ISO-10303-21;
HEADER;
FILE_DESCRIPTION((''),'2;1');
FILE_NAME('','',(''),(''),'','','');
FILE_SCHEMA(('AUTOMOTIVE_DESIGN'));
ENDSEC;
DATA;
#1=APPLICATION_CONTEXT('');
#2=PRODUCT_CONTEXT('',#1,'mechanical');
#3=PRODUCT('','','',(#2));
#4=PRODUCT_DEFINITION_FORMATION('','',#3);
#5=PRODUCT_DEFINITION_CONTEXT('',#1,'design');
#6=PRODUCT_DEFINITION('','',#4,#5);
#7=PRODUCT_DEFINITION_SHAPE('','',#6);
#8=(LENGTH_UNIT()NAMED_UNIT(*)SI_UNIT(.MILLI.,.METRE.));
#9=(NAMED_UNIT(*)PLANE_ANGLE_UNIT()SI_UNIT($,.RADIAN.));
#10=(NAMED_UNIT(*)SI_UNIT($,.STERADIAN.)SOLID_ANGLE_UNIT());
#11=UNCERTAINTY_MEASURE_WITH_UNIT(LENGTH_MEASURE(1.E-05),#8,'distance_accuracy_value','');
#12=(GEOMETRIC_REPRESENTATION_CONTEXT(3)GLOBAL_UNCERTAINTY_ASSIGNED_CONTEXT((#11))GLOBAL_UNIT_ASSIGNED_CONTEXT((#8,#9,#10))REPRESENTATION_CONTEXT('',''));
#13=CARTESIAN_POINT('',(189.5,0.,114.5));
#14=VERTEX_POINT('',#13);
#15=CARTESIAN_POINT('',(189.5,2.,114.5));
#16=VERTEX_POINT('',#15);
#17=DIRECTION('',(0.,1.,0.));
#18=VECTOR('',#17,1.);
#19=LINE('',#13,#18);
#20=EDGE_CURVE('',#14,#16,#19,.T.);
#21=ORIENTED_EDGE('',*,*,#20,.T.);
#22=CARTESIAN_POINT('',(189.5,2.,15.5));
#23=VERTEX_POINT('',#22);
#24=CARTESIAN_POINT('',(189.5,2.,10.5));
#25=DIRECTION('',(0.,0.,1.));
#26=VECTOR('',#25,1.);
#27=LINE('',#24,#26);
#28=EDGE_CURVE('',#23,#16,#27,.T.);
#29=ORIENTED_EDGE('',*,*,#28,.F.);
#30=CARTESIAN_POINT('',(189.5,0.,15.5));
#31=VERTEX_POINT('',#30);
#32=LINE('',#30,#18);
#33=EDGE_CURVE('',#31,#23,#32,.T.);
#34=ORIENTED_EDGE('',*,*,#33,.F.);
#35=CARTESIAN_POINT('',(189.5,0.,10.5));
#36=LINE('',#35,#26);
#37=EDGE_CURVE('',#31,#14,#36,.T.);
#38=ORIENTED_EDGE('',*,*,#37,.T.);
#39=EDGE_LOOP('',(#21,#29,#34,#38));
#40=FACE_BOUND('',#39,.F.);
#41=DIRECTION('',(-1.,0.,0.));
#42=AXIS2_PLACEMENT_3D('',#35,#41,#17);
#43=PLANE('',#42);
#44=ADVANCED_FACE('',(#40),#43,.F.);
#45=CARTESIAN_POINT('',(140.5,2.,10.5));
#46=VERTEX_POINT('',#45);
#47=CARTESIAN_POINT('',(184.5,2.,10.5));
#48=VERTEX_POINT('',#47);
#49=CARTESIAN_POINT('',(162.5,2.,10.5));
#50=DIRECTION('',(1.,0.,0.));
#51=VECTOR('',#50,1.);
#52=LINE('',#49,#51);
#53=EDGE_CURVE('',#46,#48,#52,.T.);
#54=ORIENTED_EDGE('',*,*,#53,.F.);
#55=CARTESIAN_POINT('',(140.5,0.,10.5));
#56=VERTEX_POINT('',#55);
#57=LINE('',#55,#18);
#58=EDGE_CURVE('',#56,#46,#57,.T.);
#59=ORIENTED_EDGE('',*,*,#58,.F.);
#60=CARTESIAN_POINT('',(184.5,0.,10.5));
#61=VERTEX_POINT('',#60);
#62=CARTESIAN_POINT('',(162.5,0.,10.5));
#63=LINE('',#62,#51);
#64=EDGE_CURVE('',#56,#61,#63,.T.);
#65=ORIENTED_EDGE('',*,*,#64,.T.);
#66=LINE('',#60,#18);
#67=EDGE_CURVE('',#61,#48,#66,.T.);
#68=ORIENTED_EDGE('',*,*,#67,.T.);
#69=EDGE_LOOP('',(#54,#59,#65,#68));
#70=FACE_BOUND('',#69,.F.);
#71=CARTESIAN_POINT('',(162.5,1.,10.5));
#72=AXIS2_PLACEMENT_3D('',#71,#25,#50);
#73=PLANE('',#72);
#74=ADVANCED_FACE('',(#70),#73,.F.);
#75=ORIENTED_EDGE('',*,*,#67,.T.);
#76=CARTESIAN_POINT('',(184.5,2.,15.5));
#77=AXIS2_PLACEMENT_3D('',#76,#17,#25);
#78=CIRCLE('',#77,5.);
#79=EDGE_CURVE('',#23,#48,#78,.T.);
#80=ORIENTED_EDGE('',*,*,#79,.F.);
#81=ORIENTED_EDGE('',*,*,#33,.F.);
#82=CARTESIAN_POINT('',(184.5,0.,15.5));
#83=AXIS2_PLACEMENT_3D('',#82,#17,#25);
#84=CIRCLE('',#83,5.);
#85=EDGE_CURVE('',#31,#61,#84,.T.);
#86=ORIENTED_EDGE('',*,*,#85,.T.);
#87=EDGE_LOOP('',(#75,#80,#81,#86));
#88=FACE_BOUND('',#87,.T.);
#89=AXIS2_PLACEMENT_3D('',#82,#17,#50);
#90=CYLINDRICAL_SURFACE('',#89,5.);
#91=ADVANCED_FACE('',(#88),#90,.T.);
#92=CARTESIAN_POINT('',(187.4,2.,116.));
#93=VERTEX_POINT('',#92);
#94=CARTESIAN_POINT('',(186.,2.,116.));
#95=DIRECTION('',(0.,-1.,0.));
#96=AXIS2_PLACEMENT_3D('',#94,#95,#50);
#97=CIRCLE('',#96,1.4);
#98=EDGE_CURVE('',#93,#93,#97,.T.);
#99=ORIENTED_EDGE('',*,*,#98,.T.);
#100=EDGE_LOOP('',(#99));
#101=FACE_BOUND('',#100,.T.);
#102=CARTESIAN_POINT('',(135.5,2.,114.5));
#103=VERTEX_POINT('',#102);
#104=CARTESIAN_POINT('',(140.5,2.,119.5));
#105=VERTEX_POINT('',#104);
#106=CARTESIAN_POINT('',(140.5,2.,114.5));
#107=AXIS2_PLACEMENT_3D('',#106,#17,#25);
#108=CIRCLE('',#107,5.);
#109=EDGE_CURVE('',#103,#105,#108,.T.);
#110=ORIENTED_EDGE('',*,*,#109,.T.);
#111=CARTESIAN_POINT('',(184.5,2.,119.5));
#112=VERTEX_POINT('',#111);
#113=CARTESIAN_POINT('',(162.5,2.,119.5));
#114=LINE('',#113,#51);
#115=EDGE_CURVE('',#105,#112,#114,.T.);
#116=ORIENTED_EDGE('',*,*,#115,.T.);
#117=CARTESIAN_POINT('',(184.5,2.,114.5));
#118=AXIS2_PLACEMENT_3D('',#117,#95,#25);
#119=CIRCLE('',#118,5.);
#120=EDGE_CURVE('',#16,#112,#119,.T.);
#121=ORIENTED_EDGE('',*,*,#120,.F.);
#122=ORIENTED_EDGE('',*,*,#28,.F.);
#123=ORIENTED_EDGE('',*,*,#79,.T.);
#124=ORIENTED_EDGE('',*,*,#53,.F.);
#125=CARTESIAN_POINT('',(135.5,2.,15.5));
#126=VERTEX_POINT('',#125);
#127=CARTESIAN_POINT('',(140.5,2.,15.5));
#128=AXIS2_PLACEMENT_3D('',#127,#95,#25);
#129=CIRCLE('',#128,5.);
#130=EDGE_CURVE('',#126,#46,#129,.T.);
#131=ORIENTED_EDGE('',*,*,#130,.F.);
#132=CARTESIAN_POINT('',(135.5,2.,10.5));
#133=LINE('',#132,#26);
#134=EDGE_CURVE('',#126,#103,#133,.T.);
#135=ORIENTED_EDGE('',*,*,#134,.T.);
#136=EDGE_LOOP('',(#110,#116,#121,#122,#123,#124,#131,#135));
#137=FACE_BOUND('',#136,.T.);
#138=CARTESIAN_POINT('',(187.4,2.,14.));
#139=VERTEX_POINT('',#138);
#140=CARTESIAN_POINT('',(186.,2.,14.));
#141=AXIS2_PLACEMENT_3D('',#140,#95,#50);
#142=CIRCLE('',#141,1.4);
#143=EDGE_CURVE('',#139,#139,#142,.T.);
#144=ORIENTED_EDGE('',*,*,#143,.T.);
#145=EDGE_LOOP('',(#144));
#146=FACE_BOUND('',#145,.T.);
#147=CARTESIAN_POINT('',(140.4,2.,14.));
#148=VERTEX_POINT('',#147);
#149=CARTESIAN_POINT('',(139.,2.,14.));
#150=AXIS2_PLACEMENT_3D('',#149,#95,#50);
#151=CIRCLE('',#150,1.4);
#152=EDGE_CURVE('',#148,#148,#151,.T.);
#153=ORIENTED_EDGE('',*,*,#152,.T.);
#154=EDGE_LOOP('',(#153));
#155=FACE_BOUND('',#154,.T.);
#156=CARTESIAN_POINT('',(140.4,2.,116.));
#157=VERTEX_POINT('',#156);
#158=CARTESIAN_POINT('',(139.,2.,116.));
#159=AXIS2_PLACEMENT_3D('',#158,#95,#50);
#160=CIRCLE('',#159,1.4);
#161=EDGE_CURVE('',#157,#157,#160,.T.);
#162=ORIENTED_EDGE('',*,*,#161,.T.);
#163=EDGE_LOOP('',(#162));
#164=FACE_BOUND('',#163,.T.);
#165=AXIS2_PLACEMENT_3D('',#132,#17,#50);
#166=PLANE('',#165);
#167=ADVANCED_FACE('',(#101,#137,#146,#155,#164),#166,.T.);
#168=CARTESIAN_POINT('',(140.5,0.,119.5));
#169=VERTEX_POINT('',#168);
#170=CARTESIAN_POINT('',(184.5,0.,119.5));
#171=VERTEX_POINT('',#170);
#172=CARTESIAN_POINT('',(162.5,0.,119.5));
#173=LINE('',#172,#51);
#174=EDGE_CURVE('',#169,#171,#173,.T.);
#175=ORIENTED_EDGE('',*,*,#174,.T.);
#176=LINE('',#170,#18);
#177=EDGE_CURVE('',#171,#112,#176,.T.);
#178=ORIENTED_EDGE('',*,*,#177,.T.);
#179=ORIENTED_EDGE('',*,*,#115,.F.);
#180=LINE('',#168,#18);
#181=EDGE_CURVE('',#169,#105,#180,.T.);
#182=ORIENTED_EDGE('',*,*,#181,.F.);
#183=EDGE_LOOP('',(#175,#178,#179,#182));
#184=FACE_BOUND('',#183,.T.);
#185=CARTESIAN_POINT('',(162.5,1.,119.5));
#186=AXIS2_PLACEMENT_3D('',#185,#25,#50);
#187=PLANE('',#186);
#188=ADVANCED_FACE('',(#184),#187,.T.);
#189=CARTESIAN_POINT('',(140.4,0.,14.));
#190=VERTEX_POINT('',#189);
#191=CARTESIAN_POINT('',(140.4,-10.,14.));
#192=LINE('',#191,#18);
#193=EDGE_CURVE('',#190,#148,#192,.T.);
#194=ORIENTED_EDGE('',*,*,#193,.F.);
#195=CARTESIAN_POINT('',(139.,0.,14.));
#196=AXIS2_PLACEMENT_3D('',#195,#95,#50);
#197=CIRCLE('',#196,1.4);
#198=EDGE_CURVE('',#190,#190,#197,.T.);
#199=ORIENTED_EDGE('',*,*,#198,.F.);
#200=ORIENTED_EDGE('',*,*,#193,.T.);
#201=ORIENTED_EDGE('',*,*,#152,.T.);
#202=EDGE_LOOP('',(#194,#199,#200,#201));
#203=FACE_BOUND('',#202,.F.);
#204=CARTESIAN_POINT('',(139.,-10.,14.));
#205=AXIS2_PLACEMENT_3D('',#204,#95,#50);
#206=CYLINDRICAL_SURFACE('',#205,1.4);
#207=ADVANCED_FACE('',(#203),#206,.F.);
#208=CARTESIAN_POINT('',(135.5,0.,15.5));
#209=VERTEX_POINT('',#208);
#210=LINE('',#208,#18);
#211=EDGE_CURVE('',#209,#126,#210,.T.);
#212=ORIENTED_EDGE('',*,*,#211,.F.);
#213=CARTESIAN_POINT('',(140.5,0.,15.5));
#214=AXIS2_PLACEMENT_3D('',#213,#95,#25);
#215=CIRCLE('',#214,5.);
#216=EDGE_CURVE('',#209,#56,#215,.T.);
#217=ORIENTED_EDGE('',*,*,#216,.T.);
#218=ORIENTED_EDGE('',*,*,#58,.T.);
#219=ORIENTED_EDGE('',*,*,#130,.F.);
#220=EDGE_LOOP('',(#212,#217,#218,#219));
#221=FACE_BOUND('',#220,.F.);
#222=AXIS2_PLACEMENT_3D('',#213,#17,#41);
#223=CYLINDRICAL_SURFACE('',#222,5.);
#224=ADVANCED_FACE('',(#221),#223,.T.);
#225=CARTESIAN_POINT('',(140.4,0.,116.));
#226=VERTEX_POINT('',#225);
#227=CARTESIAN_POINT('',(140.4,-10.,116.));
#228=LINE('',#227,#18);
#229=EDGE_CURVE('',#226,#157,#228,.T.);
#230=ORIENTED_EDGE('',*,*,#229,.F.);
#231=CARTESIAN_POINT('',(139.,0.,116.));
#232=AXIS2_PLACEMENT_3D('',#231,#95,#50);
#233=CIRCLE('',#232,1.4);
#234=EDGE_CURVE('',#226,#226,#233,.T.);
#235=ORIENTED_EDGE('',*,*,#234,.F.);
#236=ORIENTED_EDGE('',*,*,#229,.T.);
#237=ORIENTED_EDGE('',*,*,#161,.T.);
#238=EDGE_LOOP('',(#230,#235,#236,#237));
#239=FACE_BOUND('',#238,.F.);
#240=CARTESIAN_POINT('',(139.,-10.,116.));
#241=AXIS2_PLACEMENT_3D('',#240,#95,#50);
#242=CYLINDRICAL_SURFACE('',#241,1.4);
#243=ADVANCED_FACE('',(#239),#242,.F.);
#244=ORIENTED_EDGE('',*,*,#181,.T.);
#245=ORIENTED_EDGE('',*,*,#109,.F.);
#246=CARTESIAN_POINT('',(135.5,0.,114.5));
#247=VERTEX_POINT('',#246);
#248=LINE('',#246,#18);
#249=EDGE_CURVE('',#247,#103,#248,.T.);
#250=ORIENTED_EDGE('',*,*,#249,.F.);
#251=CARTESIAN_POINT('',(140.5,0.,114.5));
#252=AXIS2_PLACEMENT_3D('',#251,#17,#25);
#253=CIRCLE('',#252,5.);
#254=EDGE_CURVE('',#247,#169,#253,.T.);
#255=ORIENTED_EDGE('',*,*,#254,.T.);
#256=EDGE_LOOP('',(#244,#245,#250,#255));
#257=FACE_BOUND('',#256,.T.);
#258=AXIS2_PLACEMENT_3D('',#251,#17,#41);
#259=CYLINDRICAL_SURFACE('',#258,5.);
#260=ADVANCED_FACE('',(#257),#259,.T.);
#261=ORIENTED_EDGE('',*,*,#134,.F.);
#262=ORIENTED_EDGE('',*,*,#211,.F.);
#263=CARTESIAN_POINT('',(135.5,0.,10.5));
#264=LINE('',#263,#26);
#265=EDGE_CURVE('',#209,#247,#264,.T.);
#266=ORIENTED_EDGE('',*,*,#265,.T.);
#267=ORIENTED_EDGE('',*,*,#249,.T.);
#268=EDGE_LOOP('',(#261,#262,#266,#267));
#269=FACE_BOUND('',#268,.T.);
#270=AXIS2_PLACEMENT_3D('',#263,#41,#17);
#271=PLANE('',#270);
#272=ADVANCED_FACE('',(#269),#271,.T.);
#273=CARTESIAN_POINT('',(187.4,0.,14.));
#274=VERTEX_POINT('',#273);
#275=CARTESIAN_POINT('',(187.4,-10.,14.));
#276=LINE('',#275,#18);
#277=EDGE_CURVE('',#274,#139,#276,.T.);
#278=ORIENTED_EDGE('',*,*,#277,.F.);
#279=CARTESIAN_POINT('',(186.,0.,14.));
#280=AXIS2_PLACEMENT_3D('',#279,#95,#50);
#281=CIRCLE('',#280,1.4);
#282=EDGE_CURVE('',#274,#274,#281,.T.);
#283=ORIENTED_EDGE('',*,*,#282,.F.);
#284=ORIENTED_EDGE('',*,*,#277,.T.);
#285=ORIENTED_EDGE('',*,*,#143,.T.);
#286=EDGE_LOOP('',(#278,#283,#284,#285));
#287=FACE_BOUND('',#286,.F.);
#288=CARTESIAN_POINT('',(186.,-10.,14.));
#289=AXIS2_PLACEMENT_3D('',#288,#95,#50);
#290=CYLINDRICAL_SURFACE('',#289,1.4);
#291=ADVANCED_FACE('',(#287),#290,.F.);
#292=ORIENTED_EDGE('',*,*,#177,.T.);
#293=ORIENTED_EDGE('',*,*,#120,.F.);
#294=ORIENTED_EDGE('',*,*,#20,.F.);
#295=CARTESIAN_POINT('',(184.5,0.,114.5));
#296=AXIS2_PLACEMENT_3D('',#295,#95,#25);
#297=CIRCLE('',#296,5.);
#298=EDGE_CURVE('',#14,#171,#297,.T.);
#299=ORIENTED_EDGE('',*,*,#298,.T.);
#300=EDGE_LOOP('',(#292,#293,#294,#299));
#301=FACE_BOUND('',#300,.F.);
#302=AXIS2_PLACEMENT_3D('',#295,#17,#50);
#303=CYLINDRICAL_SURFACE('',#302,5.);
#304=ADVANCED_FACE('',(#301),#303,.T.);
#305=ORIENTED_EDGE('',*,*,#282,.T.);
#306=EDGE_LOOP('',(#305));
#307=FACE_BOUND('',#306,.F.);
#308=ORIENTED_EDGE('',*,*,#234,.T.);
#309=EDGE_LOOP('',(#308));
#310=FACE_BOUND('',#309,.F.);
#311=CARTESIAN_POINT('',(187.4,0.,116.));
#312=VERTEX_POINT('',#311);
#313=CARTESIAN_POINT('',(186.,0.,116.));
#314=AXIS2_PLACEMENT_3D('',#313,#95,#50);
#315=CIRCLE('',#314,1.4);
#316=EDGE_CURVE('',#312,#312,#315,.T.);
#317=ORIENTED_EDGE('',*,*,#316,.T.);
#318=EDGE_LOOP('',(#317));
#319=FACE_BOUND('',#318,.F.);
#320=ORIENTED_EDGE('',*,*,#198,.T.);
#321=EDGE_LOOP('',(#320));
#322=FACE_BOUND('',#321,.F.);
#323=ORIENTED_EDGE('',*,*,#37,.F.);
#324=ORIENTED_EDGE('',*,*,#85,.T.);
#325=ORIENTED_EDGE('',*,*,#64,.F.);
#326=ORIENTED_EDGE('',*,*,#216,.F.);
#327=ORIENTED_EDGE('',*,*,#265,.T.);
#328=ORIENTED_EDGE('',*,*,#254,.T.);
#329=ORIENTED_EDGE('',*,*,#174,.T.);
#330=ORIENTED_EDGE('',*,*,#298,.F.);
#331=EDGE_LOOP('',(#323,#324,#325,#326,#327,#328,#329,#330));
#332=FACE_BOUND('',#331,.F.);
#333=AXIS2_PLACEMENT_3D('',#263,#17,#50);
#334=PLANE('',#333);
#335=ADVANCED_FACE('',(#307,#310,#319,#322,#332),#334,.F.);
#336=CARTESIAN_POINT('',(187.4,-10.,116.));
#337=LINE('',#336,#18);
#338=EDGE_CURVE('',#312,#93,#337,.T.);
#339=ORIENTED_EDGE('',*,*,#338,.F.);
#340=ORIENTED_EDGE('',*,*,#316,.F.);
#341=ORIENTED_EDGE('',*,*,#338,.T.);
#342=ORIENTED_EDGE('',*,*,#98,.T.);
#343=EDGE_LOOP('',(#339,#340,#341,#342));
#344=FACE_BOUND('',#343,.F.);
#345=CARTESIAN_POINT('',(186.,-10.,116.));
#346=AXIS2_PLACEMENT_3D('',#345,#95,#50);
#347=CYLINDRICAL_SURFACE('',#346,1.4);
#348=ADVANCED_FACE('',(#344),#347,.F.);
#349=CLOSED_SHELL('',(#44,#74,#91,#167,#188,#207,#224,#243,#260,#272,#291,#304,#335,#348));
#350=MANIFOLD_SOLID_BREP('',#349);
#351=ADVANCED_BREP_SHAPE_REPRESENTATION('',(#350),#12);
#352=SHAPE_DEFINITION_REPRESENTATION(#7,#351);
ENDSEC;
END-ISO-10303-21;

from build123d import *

# Parameters (mm, degrees)
SKETCH003_R  = 1.4
PAD003_DEPTH = 30
BOX013_W     = 54
BOX013_H     = 2
BOX013_DEPTH = 109
FILLET006_R  = 5


with BuildPart() as pad003:
    # Sketch003 → Pad003 (new body)
    with BuildSketch(Plane.XZ.offset(10)):
        with Locations((139, 116)):
            Circle(SKETCH003_R)
        with Locations((186, 116)):
            Circle(SKETCH003_R)
        with Locations((139, 14)):
            Circle(SKETCH003_R)
        with Locations((186, 14)):
            Circle(SKETCH003_R)
    extrude(amount=-PAD003_DEPTH)


with BuildPart() as cut008:
    # Box013 → Box013 (new body)
    with BuildSketch(Plane(origin=(135.5, 0, 10.5), x_dir=(1, 0, 0), z_dir=(0, 0, 1))):
        with Locations((27, 1)):
            Rectangle(BOX013_W, BOX013_H)
    extrude(amount=BOX013_DEPTH)

    # Fillet006
    fillet006_edges = [cut008.edges().sort_by_distance(p)[0] for p in [
        (135.5, 1, 119.5),
        (135.5, 1, 10.5),
        (189.5, 1, 119.5),
        (189.5, 1, 10.5),
    ]]
    fillet(fillet006_edges, radius=FILLET006_R)

    # Cut008: cut Pad003
    add(pad003.part, mode=Mode.SUBTRACT)


solid = cut008.part
